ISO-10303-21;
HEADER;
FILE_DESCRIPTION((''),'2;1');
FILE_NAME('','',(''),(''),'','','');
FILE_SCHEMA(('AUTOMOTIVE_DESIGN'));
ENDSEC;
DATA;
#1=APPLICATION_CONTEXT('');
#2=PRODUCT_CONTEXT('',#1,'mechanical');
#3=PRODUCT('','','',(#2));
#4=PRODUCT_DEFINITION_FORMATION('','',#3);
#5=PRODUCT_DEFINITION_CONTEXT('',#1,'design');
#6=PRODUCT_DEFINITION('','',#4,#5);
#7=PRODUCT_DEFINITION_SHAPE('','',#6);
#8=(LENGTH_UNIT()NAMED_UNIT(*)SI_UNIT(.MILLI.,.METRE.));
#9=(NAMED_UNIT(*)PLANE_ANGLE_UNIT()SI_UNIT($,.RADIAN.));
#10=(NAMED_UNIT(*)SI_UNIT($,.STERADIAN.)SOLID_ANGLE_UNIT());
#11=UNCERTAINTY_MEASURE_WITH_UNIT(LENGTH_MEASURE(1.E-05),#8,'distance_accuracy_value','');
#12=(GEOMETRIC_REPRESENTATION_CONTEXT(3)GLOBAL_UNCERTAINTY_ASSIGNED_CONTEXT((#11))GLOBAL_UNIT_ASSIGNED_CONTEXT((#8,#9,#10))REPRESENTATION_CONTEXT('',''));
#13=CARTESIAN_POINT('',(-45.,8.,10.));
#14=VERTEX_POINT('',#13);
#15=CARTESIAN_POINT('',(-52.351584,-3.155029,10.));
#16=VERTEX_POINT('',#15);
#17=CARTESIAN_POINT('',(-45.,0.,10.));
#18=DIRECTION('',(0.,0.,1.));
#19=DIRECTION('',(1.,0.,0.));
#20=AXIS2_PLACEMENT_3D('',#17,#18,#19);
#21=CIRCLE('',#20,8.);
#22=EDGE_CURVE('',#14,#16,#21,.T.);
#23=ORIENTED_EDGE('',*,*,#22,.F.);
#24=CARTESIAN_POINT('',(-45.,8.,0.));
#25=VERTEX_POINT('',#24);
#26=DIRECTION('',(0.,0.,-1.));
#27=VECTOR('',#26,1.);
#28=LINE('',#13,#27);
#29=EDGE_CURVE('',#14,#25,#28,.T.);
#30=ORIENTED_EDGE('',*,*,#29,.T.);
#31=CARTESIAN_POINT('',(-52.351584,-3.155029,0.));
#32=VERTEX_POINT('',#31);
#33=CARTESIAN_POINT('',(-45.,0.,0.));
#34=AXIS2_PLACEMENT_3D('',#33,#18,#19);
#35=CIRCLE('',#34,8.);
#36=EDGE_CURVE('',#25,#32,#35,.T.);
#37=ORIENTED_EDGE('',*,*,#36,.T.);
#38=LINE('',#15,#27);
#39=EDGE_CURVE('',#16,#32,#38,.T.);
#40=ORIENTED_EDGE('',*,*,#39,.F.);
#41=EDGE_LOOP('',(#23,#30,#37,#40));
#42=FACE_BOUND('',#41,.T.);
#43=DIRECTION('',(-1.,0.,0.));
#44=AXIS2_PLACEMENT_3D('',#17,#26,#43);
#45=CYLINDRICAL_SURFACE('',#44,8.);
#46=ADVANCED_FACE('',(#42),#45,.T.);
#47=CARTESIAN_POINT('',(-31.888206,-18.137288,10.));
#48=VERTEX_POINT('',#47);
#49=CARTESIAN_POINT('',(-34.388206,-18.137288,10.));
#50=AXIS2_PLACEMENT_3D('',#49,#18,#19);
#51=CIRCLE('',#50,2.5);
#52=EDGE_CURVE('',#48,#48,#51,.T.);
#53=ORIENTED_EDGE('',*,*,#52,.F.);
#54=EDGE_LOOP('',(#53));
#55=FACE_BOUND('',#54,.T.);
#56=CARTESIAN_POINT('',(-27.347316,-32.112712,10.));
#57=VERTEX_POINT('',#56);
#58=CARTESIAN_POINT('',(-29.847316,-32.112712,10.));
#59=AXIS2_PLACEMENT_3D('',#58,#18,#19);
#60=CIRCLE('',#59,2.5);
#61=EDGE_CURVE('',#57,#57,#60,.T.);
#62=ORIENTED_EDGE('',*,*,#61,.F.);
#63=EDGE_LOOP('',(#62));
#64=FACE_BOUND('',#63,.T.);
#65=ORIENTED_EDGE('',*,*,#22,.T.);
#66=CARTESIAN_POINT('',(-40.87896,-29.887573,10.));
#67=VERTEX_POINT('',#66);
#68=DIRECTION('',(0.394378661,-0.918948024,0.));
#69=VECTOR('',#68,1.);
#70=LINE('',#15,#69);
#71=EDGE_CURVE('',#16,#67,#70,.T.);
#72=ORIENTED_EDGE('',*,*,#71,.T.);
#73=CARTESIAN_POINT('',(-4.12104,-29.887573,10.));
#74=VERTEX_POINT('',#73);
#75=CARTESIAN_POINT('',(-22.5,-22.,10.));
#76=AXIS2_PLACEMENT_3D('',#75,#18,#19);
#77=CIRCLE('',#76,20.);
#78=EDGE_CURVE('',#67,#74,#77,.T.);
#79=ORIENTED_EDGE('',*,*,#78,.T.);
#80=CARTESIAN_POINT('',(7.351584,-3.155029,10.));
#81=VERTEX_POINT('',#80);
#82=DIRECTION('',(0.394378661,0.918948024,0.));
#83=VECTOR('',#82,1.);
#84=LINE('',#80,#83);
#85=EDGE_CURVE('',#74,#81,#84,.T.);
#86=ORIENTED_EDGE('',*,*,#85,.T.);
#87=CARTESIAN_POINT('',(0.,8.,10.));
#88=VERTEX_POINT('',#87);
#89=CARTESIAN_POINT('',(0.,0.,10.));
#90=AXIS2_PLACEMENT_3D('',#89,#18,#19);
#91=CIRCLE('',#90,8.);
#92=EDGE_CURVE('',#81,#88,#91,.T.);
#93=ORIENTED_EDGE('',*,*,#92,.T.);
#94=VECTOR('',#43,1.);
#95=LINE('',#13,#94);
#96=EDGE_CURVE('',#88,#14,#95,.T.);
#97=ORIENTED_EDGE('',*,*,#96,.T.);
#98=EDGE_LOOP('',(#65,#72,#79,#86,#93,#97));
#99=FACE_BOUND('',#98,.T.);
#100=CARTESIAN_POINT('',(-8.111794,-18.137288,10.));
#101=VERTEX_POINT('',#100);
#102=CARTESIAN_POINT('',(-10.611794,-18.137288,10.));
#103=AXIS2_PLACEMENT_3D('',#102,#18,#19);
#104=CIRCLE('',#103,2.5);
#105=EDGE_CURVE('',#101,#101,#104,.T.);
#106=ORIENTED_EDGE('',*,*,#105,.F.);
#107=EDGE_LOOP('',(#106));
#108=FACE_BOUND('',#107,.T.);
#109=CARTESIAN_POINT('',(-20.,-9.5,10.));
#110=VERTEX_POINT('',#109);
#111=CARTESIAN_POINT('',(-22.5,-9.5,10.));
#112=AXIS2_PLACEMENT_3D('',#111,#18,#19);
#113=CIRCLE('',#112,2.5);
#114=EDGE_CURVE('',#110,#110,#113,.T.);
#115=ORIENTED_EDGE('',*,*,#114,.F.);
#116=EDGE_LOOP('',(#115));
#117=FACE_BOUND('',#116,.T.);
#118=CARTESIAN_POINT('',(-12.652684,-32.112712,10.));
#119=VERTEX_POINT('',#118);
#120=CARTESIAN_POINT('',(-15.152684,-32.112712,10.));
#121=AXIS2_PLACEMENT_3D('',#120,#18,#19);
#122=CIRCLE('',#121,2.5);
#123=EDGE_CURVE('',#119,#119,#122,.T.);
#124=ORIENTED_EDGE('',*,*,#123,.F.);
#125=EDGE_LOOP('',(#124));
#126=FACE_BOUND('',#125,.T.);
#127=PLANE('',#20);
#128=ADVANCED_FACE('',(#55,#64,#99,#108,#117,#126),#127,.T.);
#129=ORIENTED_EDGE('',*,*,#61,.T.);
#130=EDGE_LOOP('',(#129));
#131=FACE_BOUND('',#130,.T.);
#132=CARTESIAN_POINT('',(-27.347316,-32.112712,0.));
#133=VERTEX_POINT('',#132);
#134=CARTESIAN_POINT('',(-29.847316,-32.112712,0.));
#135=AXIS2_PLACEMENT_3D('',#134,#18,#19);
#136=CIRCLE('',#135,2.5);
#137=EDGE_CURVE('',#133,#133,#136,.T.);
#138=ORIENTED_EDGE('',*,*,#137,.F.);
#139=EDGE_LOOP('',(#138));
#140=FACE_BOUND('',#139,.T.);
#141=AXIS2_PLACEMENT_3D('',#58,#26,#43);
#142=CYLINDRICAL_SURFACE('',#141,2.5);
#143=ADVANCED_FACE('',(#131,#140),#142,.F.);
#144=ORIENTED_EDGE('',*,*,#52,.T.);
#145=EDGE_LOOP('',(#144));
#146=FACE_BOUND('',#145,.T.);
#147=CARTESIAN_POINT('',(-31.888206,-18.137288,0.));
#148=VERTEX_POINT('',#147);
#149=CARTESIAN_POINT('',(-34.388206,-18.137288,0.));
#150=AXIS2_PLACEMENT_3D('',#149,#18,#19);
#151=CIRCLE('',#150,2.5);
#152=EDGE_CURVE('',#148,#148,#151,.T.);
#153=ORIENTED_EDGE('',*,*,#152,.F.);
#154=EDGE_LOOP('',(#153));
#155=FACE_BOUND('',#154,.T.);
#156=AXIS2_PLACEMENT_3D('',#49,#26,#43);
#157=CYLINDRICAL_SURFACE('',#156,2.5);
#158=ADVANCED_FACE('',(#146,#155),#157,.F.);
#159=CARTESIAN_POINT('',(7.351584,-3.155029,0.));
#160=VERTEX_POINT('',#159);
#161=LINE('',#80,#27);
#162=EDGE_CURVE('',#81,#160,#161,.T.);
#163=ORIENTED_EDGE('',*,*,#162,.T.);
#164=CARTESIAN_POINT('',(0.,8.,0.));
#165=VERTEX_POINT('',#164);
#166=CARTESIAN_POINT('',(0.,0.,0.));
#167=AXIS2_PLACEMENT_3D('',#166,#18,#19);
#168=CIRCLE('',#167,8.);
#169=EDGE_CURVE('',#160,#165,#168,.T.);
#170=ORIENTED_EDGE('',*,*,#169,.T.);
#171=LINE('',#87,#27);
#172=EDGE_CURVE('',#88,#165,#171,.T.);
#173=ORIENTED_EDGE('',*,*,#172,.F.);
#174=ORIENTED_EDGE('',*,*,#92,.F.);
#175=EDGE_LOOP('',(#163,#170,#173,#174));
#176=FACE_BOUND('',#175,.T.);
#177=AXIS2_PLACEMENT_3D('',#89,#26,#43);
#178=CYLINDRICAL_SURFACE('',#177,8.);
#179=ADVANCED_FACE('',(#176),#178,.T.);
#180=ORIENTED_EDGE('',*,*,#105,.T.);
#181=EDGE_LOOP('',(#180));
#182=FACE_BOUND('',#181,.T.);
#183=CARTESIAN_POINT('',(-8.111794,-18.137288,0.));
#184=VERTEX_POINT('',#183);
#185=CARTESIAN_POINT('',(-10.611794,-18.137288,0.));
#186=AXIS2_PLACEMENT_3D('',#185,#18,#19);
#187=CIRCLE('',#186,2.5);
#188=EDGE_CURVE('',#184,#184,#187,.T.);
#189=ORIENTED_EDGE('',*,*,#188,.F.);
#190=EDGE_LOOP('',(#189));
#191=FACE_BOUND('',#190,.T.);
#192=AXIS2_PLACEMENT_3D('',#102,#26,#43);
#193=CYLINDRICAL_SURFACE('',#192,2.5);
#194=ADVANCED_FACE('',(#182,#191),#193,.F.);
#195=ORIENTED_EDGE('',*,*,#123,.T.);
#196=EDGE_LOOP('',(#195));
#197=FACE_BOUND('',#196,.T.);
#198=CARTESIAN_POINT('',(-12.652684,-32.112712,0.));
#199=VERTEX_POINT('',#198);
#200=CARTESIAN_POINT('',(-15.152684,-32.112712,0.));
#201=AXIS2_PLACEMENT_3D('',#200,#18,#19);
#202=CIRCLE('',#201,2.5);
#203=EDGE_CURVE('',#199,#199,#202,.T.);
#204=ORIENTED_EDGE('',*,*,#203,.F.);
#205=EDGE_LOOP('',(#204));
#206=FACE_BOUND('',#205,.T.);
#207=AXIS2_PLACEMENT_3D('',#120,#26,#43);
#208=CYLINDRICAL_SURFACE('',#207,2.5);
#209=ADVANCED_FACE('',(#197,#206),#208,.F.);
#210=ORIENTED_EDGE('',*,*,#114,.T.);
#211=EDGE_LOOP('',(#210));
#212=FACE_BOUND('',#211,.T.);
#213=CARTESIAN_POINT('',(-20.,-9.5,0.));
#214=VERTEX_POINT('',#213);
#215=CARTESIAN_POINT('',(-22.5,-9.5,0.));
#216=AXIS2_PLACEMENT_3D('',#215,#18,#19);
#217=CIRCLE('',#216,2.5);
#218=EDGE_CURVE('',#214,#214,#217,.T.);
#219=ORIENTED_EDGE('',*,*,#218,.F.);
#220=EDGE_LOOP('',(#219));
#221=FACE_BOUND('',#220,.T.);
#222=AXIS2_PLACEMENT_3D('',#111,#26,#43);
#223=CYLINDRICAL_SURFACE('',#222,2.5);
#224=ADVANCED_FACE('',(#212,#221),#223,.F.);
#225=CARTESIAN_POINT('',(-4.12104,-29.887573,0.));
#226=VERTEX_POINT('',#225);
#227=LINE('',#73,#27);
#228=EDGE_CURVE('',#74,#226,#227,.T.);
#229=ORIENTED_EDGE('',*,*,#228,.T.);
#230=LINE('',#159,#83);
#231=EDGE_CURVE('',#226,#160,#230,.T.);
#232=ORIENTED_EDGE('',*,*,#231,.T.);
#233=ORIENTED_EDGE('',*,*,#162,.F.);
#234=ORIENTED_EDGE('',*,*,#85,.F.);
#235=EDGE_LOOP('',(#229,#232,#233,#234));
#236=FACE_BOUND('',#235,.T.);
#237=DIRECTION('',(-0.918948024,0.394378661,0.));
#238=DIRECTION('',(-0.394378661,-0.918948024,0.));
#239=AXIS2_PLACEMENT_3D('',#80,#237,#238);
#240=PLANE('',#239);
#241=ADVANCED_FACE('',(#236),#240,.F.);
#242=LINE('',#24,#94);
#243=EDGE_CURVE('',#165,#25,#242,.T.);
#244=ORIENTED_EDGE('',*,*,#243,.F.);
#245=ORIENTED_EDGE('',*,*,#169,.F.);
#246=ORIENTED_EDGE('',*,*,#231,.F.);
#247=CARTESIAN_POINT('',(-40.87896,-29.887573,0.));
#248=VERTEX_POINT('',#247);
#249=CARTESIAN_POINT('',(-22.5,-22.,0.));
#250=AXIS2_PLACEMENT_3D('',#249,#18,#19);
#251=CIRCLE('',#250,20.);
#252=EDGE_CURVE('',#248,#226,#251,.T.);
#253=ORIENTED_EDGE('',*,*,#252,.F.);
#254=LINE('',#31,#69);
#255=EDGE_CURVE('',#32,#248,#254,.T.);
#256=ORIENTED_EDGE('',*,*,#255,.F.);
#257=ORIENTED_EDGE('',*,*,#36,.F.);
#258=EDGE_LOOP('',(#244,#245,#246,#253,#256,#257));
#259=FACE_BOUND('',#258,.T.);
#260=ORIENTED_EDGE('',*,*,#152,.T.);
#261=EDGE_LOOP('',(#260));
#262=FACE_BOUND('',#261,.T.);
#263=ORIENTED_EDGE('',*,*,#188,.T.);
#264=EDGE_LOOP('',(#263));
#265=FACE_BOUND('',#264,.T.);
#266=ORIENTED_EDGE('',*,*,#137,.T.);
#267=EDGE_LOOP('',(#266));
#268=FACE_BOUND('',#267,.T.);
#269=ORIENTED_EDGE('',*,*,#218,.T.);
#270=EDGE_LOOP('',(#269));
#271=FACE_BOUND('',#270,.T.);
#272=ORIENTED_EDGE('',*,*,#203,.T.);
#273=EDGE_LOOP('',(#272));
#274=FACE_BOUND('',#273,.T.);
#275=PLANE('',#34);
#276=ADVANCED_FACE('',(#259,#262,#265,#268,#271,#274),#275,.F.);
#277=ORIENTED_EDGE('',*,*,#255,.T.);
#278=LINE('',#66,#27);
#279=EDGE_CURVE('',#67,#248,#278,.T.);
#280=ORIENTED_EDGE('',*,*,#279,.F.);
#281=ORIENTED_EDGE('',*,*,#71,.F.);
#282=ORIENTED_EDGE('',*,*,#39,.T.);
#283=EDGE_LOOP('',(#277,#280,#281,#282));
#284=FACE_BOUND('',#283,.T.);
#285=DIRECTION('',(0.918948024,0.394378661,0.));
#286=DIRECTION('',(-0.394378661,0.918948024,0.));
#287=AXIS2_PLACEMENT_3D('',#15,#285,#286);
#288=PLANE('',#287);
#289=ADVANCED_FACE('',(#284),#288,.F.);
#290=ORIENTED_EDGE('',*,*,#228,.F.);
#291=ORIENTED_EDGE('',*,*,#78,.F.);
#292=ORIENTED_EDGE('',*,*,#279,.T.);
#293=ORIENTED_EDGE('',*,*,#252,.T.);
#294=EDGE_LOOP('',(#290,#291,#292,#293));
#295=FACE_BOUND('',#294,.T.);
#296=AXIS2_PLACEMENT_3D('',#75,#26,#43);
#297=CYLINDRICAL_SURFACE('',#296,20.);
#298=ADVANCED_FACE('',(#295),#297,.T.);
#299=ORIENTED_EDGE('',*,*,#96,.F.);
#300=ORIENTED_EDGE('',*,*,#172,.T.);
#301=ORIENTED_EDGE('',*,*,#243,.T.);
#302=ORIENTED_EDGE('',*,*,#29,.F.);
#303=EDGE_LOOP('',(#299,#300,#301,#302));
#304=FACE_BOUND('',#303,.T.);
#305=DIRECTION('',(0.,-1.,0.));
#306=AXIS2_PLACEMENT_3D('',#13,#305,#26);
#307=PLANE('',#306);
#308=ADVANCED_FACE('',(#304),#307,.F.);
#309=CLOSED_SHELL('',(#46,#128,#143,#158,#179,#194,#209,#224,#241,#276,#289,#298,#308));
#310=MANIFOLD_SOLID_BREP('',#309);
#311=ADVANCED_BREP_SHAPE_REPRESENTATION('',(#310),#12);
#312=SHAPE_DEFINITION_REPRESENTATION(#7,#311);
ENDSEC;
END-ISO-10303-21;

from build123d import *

# Parameters (mm, degrees)
CROQUIS1_R              = 2.5
SALIENTE_EXTRUIR1_DEPTH = 10


with BuildPart() as part:
    # Croquis1 → Saliente-Extruir1 (new body)
    with BuildSketch(Plane.XY):
        with BuildLine():
            Line((-45, 8), (0, 8))
            ThreePointArc((0, 8), (6.679829127, 4.402258834), (7.351584195, -3.15502929))
            Line((7.351584195, -3.15502929), (-4.121039512, -29.887573226))
            ThreePointArc((-4.121039512, -29.887573226), (-22.5, -42), (-40.878960488, -29.887573226))
            Line((-40.878960488, -29.887573226), (-52.351584195, -3.15502929))
            ThreePointArc((-52.351584195, -3.15502929), (-51.679829127, 4.402258834), (-45, 8))
        make_face()
        with Locations((-22.5, -9.5)):
            Circle(CROQUIS1_R, mode=Mode.SUBTRACT)
        with Locations((-10.611793546, -18.13728757)):
            Circle(CROQUIS1_R, mode=Mode.SUBTRACT)
        with Locations((-15.152684346, -32.11271243)):
            Circle(CROQUIS1_R, mode=Mode.SUBTRACT)
        with Locations((-29.847315654, -32.11271243)):
            Circle(CROQUIS1_R, mode=Mode.SUBTRACT)
        with Locations((-34.388206454, -18.13728757)):
            Circle(CROQUIS1_R, mode=Mode.SUBTRACT)
    extrude(amount=SALIENTE_EXTRUIR1_DEPTH)


solid = part.part
